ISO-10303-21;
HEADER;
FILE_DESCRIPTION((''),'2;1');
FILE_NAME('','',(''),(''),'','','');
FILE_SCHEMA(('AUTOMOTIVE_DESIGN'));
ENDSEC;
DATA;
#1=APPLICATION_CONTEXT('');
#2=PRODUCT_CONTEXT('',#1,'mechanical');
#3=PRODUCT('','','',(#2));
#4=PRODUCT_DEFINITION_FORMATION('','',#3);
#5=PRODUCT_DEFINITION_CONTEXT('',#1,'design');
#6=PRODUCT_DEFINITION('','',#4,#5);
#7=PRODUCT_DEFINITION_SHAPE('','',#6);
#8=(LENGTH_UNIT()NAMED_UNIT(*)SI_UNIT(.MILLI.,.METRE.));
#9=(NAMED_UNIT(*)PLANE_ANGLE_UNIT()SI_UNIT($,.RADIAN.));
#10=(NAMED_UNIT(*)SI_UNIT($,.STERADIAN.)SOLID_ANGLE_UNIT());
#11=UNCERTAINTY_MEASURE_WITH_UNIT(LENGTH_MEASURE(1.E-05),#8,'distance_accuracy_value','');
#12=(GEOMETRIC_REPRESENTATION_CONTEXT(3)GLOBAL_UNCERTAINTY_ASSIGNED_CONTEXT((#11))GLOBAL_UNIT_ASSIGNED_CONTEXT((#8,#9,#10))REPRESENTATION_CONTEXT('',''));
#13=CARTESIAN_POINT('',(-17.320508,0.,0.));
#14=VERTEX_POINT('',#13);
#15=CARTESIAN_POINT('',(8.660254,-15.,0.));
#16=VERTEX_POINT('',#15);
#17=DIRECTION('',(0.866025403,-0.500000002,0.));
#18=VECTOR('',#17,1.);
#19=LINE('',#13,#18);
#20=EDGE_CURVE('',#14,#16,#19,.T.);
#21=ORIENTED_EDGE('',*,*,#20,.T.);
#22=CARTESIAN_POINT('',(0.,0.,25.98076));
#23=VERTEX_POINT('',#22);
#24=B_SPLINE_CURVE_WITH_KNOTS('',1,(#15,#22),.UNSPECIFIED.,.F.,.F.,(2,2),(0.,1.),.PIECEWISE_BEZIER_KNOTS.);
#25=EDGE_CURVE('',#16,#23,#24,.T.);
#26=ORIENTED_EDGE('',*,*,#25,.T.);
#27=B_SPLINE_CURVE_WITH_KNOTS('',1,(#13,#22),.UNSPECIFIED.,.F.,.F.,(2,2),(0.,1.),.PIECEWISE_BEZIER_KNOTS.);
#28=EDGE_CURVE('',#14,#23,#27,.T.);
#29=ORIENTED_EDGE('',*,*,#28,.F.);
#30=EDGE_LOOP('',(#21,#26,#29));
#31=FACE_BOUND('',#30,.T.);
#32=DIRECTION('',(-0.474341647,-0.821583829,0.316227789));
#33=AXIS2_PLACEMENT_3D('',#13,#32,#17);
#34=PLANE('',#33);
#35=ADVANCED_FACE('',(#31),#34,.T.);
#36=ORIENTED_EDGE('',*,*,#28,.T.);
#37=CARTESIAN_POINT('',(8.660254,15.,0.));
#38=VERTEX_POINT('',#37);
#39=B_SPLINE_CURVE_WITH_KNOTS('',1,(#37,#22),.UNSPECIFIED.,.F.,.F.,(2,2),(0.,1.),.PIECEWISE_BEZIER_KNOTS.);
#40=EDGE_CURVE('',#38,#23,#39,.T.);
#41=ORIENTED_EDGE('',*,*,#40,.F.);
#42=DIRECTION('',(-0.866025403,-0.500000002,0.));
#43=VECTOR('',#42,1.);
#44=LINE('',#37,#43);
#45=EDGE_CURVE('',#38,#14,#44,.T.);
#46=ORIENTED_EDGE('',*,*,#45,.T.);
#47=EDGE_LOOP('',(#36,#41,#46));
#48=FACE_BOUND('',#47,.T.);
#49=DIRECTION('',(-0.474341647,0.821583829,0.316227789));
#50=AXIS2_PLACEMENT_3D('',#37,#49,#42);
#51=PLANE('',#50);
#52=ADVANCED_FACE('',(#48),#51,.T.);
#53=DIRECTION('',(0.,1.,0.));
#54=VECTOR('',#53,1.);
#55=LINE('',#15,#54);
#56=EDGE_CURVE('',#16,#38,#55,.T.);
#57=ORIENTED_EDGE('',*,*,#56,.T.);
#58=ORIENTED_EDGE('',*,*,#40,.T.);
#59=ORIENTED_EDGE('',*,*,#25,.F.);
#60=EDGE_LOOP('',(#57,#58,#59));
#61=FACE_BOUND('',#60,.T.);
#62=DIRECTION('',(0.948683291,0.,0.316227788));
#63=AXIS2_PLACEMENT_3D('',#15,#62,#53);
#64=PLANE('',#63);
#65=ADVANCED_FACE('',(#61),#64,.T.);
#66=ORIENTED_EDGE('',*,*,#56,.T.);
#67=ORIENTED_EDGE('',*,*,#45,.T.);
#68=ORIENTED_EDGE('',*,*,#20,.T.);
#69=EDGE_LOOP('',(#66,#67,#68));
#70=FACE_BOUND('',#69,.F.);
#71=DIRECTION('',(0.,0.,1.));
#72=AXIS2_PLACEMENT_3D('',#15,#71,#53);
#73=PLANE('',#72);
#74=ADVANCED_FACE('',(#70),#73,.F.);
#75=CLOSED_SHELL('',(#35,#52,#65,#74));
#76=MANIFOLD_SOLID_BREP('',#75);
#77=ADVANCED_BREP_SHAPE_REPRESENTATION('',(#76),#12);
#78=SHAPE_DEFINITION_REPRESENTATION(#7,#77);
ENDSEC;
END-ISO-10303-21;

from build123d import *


with BuildPart() as f2:
    # F0 (on Top) → F2 section 0
    with BuildSketch(Plane.XY, mode=Mode.PRIVATE) as f2_s0:
        Polygon((8.660254, -15), (8.660254, 15), (-17.320508, 0), align=None)
    loft([f2_s0.sketch, Vertex(0, 0, 25.98076)])


solid = f2.part
